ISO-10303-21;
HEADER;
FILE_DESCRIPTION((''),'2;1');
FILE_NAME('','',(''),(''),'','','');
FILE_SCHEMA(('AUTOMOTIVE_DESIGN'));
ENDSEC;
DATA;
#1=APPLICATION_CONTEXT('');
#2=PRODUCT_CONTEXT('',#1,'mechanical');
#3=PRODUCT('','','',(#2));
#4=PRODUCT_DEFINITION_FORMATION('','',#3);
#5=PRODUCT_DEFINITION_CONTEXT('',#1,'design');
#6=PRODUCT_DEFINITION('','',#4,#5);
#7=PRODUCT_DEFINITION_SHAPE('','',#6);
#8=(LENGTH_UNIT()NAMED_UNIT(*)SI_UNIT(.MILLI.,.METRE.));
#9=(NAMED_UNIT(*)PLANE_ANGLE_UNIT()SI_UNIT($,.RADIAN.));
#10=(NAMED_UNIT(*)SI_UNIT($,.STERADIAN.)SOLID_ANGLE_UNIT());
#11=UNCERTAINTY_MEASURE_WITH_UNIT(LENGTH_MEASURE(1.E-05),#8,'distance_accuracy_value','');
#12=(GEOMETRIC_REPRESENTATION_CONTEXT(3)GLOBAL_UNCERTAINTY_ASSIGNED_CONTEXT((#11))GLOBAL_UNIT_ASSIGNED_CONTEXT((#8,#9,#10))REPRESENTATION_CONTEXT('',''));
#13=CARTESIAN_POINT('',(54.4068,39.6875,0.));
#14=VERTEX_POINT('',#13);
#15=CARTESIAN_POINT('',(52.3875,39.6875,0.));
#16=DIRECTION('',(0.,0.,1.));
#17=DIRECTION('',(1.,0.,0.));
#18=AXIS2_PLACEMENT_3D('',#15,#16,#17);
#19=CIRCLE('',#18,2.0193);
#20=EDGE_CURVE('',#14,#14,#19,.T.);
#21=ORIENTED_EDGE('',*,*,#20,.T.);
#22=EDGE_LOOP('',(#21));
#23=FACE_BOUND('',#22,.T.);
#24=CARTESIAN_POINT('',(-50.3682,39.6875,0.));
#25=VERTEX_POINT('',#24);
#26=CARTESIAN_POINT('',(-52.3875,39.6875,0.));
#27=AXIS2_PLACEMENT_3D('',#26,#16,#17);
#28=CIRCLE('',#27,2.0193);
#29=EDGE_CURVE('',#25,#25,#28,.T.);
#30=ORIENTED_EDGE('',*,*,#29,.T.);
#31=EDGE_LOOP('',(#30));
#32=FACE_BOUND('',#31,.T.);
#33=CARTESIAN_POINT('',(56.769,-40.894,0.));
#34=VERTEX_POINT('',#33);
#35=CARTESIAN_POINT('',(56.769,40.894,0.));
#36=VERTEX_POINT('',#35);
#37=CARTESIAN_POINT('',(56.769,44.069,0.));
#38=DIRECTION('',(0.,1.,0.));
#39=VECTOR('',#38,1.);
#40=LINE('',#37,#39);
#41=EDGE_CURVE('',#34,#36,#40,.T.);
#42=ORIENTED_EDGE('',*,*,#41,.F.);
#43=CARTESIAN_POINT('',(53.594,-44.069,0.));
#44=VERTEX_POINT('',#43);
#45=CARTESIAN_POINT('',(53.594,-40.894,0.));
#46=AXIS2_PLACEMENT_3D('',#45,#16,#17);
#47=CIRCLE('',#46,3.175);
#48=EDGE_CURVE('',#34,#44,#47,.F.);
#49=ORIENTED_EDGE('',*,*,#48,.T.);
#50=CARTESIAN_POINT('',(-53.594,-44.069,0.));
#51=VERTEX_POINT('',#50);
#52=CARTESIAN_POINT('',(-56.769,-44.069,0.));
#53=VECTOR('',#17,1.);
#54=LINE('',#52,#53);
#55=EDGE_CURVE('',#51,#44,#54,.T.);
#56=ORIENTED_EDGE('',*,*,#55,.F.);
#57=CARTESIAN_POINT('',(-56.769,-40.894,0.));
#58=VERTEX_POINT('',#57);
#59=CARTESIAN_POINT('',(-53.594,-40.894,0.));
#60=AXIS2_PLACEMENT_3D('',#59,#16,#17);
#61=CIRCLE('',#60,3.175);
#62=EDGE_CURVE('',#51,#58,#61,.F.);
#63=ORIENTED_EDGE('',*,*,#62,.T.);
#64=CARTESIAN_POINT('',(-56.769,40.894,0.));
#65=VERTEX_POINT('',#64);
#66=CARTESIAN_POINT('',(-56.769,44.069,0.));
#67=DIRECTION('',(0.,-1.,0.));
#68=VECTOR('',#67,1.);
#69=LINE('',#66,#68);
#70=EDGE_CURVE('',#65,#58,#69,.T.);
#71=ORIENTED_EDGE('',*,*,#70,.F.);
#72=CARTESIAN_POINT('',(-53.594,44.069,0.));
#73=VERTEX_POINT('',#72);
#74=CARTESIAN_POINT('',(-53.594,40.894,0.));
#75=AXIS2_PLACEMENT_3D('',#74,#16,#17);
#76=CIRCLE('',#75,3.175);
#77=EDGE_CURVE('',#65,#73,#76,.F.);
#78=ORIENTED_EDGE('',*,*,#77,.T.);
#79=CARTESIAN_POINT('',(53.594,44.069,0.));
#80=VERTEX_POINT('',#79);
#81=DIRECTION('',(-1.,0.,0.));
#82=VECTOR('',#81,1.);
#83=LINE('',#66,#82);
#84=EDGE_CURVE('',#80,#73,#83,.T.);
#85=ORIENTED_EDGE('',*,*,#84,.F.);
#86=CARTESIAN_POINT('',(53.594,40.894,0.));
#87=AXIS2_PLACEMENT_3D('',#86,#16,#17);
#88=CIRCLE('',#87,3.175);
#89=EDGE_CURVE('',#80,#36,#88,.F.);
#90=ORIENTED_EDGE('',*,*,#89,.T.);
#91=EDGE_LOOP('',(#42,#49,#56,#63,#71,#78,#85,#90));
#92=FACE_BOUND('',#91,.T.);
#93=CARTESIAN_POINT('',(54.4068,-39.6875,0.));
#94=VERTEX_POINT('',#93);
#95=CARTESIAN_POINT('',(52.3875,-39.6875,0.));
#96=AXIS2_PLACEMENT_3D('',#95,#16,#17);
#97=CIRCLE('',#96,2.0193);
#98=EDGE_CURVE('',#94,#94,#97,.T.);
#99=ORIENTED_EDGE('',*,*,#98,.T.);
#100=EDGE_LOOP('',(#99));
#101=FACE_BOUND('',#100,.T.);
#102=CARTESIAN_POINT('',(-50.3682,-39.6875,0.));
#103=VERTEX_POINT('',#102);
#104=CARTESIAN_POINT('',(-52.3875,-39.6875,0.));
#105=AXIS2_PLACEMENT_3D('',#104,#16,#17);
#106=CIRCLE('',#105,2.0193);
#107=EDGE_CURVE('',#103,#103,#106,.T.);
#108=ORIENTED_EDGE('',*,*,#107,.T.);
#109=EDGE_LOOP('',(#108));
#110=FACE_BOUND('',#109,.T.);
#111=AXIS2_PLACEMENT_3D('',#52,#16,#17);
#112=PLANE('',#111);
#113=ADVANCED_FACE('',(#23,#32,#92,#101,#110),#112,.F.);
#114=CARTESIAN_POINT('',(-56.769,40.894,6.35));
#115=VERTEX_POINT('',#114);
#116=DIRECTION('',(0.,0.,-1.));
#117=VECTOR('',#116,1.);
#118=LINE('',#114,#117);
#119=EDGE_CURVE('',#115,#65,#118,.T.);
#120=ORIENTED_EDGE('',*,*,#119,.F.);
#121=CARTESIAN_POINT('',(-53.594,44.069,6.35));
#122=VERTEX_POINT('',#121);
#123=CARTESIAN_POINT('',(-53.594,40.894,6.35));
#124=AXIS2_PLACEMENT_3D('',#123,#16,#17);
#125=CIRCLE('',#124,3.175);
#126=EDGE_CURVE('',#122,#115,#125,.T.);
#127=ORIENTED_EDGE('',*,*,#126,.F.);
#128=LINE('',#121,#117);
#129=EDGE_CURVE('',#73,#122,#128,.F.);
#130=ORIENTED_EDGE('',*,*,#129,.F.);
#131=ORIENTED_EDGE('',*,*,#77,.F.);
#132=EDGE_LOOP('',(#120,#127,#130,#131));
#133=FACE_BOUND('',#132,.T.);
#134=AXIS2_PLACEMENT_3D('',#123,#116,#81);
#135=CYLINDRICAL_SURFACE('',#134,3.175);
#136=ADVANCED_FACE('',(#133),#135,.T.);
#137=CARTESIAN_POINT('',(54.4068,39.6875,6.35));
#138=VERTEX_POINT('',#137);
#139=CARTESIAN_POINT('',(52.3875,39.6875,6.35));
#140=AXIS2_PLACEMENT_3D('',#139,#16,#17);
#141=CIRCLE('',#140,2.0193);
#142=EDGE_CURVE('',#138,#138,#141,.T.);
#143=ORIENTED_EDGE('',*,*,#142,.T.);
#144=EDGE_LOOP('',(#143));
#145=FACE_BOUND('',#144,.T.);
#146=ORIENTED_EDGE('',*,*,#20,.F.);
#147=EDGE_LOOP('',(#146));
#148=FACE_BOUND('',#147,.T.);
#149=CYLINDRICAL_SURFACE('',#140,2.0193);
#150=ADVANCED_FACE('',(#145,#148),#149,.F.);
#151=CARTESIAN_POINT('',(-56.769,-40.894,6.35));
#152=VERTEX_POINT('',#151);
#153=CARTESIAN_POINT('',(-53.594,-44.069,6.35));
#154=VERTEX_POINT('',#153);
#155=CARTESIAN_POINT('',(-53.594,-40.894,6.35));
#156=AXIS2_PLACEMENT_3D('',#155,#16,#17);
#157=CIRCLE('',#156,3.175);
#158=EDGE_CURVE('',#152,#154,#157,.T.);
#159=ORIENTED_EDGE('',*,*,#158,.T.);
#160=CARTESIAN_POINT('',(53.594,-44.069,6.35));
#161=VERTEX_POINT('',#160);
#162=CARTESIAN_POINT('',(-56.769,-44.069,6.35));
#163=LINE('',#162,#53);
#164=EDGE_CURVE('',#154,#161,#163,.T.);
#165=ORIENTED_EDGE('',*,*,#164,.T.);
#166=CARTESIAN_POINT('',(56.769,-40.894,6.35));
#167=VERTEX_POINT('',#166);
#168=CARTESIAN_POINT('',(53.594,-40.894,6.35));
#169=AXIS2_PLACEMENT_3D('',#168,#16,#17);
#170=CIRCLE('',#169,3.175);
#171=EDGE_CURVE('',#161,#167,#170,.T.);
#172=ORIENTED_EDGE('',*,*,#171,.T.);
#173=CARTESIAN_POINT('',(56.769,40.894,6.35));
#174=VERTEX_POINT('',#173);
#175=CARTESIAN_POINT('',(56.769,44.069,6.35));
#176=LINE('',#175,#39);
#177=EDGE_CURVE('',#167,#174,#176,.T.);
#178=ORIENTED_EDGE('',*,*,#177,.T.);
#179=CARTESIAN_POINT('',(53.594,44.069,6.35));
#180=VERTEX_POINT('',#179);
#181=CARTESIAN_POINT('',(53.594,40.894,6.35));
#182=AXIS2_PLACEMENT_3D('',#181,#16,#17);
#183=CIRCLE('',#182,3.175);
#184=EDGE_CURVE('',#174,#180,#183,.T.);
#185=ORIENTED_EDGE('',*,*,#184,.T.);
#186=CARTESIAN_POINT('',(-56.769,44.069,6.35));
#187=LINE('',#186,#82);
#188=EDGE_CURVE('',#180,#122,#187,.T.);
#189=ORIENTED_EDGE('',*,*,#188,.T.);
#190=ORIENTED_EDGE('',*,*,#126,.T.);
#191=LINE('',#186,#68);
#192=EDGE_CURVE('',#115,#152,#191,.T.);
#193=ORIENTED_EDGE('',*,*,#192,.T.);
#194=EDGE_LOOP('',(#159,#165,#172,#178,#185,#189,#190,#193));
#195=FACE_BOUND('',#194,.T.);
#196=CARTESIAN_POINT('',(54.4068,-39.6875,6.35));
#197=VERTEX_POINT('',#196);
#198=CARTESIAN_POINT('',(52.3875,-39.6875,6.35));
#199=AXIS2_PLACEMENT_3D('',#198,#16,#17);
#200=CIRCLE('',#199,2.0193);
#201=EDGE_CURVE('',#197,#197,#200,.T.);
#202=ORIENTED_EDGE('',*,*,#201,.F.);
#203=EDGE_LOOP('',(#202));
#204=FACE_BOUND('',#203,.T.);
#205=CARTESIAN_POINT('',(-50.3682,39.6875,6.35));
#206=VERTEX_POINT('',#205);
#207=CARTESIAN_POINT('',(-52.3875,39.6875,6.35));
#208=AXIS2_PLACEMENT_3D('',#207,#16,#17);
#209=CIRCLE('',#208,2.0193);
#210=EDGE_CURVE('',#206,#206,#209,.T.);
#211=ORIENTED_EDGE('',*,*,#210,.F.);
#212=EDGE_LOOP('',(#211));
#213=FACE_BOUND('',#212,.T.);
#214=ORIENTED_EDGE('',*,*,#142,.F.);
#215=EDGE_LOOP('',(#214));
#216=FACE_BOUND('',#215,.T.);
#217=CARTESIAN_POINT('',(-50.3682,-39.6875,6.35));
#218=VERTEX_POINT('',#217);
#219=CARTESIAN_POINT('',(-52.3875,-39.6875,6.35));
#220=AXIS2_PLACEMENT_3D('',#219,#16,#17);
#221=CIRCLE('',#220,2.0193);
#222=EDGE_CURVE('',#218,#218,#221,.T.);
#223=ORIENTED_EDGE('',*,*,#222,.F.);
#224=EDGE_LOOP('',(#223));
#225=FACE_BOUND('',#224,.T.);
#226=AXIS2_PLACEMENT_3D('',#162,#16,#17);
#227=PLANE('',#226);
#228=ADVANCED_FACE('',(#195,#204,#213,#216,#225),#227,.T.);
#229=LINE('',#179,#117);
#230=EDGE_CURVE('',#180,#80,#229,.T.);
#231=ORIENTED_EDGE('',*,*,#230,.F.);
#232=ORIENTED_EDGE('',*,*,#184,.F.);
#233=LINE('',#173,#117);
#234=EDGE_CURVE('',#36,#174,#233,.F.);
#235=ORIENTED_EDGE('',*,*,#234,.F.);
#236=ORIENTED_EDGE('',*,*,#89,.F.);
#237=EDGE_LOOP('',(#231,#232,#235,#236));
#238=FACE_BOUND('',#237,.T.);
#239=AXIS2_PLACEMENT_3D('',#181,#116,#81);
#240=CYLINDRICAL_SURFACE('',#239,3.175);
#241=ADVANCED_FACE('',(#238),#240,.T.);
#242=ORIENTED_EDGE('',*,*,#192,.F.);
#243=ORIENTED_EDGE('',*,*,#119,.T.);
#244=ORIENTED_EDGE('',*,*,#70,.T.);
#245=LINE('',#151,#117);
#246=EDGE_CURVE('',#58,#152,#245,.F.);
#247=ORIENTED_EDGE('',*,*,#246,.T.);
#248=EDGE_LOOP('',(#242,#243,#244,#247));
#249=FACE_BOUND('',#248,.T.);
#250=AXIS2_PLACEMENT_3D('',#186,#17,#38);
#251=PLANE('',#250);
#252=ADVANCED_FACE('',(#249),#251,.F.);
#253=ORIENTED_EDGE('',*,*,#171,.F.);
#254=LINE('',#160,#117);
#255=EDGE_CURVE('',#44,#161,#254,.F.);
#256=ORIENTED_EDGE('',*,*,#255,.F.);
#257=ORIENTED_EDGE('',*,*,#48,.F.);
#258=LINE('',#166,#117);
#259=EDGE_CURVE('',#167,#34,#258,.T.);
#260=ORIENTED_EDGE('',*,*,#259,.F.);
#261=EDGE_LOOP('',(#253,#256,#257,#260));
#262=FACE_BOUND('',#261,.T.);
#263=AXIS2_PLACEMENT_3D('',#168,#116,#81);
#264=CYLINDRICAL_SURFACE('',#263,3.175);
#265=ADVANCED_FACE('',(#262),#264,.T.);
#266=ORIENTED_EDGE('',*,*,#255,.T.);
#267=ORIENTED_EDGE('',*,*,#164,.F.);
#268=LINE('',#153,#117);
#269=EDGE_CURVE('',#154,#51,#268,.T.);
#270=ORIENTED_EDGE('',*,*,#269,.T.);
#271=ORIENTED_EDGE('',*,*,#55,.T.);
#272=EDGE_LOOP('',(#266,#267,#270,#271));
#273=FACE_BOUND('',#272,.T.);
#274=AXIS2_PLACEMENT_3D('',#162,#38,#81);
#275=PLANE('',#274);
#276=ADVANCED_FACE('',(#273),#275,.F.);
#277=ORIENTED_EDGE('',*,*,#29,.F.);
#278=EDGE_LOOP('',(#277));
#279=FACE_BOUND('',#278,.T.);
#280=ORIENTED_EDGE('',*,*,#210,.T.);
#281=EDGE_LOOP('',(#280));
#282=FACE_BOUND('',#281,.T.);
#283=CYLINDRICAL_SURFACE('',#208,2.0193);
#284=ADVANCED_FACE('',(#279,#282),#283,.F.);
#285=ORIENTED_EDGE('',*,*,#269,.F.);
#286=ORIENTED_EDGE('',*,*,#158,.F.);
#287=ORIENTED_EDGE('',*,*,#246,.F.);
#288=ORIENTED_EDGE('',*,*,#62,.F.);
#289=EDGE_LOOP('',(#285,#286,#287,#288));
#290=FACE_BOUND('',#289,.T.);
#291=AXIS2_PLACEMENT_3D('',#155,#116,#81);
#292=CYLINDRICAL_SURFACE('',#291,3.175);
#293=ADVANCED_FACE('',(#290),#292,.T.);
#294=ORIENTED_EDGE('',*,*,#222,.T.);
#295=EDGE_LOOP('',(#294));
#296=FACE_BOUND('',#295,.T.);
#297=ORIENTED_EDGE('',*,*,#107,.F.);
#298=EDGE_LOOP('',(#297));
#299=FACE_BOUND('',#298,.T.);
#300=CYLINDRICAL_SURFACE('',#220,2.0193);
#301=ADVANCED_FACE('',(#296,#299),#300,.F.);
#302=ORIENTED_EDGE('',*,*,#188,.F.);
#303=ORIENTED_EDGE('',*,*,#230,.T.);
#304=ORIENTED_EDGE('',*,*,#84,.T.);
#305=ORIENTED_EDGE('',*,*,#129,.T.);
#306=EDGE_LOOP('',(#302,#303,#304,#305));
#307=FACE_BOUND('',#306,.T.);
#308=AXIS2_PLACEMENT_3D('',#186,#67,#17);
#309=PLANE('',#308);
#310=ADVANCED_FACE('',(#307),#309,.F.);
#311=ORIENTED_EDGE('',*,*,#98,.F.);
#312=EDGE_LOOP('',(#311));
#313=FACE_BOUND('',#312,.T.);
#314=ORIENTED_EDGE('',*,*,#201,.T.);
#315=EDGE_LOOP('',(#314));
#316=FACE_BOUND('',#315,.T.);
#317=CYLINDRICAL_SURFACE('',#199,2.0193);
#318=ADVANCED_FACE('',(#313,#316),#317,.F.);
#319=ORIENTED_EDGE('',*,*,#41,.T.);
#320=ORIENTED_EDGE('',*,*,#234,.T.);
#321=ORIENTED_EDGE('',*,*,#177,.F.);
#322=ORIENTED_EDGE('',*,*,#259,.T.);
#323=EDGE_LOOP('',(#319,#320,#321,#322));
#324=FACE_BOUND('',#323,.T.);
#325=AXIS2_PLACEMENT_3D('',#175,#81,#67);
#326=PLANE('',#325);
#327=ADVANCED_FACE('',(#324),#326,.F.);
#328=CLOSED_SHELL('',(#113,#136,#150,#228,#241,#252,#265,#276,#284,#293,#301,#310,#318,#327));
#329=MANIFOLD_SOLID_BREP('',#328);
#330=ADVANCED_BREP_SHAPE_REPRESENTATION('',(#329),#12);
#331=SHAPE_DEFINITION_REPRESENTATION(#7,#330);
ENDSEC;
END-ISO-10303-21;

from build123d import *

# Parameters (mm, degrees)
SKETCH1_W                 = 113.538
SKETCH1_H                 = 88.138
EXTRUDE1_DEPTH            = 6.35
F_8_CLEARANCE_HOLE1_D     = 4.0386
F_8_CLEARANCE_HOLE1_DEPTH = 6.35
FILLET2_R                 = 3.175


with BuildPart() as part:
    # Sketch1 → Extrude1 (new body)
    with BuildSketch(Plane.XY):
        Rectangle(SKETCH1_W, SKETCH1_H)
    extrude(amount=EXTRUDE1_DEPTH)

    # #8 Clearance Hole1
    with Locations(Plane(origin=(-52.3875, 39.6875, 6.35), x_dir=(1, 0, 0), z_dir=(0, 0, 1))):
        with Locations((0, 0), (104.775, 0), (104.775, -79.375), (0, -79.375)):
            Hole(F_8_CLEARANCE_HOLE1_D / 2, depth=F_8_CLEARANCE_HOLE1_DEPTH)

    # Fillet2
    fillet2_edges = [part.edges().sort_by_distance(p)[0] for p in [
        (-56.769, 44.069, 3.175),
        (56.769, 44.069, 3.175),
        (56.769, -44.069, 3.175),
        (-56.769, -44.069, 3.175),
    ]]
    fillet(fillet2_edges, radius=FILLET2_R)


solid = part.part
